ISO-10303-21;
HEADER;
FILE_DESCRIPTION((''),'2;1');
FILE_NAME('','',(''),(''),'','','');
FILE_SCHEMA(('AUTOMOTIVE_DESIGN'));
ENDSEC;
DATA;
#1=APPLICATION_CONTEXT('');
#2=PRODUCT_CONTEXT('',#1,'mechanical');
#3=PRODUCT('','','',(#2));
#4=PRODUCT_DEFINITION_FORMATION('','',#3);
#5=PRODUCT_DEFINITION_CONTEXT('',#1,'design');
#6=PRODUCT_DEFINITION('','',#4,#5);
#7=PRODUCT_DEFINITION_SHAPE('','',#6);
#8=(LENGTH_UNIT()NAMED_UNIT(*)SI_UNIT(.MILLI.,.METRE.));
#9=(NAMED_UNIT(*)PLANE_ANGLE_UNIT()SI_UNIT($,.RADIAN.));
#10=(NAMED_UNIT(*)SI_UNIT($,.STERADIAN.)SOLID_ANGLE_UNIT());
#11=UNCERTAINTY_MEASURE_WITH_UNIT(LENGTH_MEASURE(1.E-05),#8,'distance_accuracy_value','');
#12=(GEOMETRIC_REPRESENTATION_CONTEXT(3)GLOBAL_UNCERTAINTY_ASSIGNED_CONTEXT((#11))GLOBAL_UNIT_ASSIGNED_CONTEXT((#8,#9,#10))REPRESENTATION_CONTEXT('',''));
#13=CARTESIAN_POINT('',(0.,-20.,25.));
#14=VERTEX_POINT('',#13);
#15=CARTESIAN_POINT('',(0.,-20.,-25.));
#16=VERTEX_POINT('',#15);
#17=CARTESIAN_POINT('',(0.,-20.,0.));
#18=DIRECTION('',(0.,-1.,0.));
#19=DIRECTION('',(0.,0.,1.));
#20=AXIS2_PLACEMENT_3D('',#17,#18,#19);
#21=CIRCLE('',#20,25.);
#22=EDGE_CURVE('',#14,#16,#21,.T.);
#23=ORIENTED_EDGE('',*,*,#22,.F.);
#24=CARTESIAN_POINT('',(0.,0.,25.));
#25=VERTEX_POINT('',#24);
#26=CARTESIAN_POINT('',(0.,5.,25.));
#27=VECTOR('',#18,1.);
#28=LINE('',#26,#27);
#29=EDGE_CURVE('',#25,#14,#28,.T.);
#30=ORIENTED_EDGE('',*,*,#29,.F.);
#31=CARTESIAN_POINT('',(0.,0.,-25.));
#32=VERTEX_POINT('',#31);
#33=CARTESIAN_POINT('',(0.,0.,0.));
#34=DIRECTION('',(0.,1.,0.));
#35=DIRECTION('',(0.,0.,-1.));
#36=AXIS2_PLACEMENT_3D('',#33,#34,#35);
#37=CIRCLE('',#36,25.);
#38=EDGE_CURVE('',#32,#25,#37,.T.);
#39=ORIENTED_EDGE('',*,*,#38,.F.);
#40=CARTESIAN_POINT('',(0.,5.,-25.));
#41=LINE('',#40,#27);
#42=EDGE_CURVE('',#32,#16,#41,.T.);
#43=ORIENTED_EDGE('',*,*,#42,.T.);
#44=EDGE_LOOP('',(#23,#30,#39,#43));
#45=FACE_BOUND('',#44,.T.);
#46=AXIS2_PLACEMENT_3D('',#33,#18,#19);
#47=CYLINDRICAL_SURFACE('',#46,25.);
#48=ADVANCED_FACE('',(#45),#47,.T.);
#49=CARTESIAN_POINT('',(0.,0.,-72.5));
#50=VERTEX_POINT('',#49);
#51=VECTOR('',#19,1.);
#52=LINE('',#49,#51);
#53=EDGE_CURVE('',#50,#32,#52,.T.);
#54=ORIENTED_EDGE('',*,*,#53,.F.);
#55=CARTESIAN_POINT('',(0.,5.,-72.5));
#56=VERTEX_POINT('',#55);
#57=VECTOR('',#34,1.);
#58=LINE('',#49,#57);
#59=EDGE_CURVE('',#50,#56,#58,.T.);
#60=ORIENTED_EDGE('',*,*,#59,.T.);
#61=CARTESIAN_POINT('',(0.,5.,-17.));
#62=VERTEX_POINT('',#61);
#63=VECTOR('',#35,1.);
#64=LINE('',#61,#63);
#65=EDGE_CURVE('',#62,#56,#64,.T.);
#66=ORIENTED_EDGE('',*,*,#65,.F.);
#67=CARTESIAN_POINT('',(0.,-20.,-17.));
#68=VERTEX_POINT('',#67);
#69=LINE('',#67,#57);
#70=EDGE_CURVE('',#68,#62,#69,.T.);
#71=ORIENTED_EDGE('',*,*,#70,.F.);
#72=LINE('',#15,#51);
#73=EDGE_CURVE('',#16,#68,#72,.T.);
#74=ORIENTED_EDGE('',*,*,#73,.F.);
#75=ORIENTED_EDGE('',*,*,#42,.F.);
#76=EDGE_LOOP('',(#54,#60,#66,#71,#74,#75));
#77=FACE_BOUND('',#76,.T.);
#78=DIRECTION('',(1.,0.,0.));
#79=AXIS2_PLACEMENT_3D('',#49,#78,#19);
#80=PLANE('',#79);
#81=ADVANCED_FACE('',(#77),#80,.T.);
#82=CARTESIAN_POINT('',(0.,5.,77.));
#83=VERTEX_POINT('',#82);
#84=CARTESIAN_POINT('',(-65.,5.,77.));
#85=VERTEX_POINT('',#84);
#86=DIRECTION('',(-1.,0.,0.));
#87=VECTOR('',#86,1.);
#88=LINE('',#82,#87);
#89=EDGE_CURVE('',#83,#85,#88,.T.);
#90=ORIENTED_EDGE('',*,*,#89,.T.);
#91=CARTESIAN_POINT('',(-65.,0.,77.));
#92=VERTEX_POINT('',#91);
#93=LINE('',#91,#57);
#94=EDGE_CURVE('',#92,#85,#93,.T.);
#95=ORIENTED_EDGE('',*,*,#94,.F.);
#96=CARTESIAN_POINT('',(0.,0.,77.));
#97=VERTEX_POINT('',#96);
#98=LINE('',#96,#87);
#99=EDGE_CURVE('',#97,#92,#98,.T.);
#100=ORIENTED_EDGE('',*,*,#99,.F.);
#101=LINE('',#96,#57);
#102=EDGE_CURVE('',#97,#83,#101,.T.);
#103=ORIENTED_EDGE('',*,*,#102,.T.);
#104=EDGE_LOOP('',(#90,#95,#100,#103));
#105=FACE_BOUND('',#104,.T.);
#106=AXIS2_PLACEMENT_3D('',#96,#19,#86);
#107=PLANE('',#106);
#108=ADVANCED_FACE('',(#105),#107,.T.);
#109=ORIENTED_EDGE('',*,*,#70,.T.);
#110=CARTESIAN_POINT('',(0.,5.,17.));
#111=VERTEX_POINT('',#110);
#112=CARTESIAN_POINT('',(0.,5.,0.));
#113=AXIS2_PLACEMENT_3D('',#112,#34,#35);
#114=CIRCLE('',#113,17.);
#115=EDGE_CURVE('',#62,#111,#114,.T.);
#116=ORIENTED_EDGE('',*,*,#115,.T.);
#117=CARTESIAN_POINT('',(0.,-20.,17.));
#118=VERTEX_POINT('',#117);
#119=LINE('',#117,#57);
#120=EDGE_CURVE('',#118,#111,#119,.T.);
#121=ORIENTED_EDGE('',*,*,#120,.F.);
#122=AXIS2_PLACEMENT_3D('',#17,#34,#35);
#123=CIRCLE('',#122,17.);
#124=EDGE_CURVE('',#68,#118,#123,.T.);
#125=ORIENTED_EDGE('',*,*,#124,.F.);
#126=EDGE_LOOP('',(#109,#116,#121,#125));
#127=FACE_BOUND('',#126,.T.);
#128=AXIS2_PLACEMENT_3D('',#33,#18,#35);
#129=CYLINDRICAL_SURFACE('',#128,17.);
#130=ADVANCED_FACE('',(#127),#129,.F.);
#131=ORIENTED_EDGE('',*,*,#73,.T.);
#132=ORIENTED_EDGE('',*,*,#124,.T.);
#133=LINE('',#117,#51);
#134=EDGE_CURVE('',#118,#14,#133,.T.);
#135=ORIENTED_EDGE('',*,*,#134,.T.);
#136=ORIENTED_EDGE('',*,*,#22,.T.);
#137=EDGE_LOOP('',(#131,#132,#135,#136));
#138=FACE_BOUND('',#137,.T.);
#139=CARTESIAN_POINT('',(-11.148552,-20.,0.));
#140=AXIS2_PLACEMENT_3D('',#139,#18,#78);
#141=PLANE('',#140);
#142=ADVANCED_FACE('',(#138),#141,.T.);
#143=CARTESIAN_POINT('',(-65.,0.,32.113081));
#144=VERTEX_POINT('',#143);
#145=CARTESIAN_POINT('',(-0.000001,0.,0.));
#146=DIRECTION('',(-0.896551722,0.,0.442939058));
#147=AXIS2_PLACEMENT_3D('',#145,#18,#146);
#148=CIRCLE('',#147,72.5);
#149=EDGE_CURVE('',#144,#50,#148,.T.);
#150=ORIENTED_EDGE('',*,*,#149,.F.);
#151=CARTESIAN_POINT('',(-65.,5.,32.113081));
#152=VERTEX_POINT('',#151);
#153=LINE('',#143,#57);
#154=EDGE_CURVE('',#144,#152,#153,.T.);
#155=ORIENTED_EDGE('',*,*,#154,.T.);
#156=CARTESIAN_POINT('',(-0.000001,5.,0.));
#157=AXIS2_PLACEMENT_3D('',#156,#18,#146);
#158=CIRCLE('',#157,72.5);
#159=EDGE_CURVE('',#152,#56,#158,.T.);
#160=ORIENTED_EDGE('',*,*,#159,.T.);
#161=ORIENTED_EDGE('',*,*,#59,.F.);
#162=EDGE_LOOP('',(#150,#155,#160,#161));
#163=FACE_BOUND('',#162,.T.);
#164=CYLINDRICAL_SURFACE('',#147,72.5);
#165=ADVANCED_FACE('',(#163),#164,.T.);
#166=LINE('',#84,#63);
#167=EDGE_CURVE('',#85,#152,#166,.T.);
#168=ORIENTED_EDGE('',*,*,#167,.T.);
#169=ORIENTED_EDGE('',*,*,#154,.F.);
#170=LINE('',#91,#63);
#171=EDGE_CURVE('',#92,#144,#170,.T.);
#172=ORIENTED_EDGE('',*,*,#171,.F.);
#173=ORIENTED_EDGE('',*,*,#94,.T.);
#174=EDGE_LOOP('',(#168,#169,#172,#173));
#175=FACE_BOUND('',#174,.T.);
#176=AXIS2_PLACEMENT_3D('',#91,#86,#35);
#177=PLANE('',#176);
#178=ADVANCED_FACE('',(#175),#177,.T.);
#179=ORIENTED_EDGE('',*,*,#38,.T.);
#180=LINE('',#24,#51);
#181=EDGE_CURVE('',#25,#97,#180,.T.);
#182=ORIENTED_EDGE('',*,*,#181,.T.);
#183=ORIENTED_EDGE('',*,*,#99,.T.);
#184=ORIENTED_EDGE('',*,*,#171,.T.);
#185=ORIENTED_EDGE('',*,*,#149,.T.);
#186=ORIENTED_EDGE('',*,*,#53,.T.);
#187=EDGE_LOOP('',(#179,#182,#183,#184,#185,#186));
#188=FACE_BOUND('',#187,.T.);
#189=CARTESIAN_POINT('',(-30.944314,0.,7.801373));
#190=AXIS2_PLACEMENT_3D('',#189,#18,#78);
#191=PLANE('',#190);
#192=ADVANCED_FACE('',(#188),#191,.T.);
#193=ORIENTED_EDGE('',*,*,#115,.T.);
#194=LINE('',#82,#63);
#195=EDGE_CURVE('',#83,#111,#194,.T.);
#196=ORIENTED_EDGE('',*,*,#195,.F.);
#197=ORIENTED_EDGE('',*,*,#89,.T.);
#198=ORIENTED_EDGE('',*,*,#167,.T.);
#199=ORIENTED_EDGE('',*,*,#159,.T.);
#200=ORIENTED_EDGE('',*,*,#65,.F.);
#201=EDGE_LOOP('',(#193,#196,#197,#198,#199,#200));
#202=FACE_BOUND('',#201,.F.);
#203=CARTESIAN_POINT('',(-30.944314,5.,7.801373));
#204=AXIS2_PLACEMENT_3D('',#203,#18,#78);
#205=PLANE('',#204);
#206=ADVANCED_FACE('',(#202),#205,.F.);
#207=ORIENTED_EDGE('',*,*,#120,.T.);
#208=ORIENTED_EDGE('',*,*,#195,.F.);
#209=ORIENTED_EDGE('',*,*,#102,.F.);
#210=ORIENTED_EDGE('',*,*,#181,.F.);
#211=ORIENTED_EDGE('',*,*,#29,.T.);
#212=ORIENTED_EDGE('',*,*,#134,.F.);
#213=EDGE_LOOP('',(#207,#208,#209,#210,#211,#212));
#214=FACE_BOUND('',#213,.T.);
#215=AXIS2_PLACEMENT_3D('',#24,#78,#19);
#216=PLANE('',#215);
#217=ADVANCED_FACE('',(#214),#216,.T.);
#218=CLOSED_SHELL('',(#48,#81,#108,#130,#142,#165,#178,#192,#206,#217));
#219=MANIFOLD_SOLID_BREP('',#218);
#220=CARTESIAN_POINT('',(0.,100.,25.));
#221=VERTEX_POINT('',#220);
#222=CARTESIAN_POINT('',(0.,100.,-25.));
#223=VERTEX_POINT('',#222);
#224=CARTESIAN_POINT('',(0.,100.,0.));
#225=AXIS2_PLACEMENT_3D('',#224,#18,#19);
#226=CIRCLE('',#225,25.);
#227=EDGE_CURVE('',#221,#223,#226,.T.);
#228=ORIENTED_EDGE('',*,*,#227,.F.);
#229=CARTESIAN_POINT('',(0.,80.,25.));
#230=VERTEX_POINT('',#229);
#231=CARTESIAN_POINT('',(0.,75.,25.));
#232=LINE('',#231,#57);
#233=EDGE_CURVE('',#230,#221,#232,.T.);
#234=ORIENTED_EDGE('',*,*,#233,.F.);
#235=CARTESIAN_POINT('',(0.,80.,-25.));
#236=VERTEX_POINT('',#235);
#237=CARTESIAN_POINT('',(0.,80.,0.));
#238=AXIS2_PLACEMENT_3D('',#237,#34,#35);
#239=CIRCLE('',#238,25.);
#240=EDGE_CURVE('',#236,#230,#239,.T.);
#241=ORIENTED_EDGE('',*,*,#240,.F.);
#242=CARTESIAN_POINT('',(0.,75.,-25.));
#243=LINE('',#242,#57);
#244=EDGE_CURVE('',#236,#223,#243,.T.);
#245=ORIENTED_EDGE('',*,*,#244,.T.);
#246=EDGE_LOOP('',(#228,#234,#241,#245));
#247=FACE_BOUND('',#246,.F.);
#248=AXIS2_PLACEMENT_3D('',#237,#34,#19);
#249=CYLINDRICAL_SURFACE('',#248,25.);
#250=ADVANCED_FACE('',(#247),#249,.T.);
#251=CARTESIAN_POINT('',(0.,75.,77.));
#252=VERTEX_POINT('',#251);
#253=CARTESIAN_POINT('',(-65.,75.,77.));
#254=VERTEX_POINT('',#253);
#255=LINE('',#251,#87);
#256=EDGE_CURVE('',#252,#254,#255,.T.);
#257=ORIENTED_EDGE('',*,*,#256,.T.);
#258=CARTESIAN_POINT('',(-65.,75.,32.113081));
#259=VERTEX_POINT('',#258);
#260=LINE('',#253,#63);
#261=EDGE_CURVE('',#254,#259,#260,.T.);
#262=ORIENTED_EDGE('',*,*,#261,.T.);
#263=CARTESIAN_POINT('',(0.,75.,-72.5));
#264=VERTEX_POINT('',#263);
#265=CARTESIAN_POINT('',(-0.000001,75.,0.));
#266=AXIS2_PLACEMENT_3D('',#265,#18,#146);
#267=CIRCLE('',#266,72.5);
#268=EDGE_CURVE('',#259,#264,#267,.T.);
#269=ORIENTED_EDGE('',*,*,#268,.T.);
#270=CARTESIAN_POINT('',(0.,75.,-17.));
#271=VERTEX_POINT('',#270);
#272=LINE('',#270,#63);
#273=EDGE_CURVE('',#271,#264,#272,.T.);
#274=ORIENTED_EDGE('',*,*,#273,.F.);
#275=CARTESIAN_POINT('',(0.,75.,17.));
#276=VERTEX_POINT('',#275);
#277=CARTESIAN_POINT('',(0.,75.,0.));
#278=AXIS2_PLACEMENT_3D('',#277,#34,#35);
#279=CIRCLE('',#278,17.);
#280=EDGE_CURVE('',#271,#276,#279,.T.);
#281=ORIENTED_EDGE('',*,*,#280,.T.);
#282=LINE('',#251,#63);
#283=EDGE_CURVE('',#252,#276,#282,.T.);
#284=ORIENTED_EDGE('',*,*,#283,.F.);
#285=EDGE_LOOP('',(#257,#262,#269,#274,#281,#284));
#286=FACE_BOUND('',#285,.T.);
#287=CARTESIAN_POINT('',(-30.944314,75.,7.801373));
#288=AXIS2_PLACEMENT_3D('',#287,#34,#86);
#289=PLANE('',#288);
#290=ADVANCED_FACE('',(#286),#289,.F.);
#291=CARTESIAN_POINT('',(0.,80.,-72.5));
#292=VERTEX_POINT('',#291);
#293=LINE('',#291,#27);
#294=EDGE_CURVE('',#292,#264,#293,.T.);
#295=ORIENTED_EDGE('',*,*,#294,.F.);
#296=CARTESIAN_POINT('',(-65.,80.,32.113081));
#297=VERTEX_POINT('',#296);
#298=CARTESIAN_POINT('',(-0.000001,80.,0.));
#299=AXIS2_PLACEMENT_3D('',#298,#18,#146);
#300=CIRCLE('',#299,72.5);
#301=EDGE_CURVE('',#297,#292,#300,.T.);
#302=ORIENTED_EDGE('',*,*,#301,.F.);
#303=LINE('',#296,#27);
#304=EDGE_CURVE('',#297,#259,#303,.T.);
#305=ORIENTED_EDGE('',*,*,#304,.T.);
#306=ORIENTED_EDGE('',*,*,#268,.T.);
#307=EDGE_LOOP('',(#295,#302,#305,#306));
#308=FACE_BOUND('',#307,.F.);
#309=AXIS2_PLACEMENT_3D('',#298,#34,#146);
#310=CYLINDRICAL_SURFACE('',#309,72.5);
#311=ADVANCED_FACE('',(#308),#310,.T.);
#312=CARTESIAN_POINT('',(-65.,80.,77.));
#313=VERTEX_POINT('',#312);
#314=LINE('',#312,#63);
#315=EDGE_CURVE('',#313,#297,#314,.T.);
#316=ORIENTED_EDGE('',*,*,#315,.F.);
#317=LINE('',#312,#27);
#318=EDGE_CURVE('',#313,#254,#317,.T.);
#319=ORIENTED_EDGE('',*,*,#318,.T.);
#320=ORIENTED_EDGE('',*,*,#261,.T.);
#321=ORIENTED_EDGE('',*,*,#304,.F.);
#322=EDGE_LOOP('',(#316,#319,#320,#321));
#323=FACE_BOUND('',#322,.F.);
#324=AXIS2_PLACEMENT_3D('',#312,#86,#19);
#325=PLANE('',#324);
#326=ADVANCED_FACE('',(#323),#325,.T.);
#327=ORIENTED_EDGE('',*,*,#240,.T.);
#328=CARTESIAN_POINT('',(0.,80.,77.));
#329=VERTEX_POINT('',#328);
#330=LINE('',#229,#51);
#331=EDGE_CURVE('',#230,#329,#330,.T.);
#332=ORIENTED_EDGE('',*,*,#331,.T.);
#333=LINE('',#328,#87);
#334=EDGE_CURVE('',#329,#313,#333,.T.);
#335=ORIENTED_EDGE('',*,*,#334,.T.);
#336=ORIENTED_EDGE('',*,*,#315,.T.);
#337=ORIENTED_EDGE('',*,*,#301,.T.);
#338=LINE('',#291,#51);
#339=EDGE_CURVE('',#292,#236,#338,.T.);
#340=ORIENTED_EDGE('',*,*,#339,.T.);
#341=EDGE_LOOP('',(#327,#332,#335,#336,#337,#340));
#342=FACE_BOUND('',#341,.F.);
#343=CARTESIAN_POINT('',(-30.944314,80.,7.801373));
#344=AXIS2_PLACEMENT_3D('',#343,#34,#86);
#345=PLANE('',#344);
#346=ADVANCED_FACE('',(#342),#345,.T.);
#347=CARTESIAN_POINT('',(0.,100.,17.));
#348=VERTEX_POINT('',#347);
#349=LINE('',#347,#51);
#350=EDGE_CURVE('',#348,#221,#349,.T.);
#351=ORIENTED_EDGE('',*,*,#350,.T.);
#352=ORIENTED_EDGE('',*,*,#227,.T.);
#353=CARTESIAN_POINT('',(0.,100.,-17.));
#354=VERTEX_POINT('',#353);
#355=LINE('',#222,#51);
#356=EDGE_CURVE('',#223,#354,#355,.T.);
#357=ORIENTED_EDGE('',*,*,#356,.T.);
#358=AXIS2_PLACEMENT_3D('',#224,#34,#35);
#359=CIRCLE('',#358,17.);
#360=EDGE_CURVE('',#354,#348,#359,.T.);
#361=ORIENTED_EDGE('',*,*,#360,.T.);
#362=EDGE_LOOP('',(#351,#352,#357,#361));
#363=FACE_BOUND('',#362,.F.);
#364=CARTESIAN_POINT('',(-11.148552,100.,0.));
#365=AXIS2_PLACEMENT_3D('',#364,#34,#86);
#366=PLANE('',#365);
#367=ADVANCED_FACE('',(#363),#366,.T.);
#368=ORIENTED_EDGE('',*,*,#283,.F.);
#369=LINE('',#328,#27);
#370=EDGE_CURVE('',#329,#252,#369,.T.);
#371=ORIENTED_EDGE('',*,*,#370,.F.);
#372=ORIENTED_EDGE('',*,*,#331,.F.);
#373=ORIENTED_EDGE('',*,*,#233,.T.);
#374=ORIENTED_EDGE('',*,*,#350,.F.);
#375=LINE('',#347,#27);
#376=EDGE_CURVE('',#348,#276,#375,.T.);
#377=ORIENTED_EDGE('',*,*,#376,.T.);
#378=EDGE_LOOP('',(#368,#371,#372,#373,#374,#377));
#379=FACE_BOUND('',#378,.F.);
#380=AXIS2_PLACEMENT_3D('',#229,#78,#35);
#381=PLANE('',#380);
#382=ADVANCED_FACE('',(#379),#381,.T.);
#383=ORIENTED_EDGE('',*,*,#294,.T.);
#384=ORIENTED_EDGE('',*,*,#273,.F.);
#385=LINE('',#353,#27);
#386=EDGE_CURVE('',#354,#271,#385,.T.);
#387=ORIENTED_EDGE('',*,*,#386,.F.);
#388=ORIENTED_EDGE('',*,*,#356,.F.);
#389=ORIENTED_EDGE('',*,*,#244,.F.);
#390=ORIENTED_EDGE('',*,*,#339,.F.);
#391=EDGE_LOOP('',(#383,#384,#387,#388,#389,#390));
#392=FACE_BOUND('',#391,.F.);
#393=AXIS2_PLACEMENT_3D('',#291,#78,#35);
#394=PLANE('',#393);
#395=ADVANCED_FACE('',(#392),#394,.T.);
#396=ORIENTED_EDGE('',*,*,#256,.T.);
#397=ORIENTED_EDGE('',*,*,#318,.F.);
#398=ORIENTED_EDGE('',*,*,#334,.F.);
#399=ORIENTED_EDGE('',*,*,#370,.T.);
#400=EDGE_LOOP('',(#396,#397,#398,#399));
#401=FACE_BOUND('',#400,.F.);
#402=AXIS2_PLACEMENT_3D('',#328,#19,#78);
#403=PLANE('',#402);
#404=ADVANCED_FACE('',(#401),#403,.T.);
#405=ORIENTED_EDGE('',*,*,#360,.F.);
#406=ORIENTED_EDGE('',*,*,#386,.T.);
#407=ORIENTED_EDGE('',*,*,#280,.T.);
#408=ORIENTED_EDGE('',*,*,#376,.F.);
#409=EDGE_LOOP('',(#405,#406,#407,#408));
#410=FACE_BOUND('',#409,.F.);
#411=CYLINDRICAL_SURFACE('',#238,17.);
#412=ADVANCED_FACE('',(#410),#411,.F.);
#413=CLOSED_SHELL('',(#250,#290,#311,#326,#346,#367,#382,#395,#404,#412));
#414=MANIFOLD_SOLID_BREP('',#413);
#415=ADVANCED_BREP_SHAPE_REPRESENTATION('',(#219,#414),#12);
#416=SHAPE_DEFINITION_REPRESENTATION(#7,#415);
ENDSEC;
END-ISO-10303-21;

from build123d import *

# Parameters (mm, degrees)
F1_DEPTH      = 20
F1_DEPTH_BACK = 5
F3_DEPTH      = 5


with BuildPart() as f1:
    # F0 (on Front) → F1 (new body, two sides)
    with BuildSketch(Plane.XZ) as f1_sk:
        with BuildLine():
            Line((0, 17), (0, 25))
            ThreePointArc((0, 25), (-25, 0), (0, -25))
            Line((0, -25), (0, -17))
            ThreePointArc((0, -17), (-17, 0), (0, 17))
        make_face()
    extrude(amount=F1_DEPTH)
    extrude(f1_sk.sketch, amount=-F1_DEPTH_BACK)

    # F2 (on Front) → F3 (join)
    with BuildSketch(Plane.XZ):
        with BuildLine():
            Line((-65, 77), (-65, 32.113081))
            ThreePointArc((-65, 32.113081), (-61.581038, -38.26259), (0, -72.5))
            Line((0, -72.5), (0, -25))
            ThreePointArc((0, -25), (-25, 0), (0, 25))
            Line((0, 25), (0, 77))
            Line((0, 77), (-65, 77))
        make_face()
    extrude(amount=-F3_DEPTH)


with BuildPart() as f5_1:
    # F5: instance of F1
    add(f1.part.mirror(Plane.XZ.offset(-40)))


solid = Compound([f1.part, f5_1.part])
